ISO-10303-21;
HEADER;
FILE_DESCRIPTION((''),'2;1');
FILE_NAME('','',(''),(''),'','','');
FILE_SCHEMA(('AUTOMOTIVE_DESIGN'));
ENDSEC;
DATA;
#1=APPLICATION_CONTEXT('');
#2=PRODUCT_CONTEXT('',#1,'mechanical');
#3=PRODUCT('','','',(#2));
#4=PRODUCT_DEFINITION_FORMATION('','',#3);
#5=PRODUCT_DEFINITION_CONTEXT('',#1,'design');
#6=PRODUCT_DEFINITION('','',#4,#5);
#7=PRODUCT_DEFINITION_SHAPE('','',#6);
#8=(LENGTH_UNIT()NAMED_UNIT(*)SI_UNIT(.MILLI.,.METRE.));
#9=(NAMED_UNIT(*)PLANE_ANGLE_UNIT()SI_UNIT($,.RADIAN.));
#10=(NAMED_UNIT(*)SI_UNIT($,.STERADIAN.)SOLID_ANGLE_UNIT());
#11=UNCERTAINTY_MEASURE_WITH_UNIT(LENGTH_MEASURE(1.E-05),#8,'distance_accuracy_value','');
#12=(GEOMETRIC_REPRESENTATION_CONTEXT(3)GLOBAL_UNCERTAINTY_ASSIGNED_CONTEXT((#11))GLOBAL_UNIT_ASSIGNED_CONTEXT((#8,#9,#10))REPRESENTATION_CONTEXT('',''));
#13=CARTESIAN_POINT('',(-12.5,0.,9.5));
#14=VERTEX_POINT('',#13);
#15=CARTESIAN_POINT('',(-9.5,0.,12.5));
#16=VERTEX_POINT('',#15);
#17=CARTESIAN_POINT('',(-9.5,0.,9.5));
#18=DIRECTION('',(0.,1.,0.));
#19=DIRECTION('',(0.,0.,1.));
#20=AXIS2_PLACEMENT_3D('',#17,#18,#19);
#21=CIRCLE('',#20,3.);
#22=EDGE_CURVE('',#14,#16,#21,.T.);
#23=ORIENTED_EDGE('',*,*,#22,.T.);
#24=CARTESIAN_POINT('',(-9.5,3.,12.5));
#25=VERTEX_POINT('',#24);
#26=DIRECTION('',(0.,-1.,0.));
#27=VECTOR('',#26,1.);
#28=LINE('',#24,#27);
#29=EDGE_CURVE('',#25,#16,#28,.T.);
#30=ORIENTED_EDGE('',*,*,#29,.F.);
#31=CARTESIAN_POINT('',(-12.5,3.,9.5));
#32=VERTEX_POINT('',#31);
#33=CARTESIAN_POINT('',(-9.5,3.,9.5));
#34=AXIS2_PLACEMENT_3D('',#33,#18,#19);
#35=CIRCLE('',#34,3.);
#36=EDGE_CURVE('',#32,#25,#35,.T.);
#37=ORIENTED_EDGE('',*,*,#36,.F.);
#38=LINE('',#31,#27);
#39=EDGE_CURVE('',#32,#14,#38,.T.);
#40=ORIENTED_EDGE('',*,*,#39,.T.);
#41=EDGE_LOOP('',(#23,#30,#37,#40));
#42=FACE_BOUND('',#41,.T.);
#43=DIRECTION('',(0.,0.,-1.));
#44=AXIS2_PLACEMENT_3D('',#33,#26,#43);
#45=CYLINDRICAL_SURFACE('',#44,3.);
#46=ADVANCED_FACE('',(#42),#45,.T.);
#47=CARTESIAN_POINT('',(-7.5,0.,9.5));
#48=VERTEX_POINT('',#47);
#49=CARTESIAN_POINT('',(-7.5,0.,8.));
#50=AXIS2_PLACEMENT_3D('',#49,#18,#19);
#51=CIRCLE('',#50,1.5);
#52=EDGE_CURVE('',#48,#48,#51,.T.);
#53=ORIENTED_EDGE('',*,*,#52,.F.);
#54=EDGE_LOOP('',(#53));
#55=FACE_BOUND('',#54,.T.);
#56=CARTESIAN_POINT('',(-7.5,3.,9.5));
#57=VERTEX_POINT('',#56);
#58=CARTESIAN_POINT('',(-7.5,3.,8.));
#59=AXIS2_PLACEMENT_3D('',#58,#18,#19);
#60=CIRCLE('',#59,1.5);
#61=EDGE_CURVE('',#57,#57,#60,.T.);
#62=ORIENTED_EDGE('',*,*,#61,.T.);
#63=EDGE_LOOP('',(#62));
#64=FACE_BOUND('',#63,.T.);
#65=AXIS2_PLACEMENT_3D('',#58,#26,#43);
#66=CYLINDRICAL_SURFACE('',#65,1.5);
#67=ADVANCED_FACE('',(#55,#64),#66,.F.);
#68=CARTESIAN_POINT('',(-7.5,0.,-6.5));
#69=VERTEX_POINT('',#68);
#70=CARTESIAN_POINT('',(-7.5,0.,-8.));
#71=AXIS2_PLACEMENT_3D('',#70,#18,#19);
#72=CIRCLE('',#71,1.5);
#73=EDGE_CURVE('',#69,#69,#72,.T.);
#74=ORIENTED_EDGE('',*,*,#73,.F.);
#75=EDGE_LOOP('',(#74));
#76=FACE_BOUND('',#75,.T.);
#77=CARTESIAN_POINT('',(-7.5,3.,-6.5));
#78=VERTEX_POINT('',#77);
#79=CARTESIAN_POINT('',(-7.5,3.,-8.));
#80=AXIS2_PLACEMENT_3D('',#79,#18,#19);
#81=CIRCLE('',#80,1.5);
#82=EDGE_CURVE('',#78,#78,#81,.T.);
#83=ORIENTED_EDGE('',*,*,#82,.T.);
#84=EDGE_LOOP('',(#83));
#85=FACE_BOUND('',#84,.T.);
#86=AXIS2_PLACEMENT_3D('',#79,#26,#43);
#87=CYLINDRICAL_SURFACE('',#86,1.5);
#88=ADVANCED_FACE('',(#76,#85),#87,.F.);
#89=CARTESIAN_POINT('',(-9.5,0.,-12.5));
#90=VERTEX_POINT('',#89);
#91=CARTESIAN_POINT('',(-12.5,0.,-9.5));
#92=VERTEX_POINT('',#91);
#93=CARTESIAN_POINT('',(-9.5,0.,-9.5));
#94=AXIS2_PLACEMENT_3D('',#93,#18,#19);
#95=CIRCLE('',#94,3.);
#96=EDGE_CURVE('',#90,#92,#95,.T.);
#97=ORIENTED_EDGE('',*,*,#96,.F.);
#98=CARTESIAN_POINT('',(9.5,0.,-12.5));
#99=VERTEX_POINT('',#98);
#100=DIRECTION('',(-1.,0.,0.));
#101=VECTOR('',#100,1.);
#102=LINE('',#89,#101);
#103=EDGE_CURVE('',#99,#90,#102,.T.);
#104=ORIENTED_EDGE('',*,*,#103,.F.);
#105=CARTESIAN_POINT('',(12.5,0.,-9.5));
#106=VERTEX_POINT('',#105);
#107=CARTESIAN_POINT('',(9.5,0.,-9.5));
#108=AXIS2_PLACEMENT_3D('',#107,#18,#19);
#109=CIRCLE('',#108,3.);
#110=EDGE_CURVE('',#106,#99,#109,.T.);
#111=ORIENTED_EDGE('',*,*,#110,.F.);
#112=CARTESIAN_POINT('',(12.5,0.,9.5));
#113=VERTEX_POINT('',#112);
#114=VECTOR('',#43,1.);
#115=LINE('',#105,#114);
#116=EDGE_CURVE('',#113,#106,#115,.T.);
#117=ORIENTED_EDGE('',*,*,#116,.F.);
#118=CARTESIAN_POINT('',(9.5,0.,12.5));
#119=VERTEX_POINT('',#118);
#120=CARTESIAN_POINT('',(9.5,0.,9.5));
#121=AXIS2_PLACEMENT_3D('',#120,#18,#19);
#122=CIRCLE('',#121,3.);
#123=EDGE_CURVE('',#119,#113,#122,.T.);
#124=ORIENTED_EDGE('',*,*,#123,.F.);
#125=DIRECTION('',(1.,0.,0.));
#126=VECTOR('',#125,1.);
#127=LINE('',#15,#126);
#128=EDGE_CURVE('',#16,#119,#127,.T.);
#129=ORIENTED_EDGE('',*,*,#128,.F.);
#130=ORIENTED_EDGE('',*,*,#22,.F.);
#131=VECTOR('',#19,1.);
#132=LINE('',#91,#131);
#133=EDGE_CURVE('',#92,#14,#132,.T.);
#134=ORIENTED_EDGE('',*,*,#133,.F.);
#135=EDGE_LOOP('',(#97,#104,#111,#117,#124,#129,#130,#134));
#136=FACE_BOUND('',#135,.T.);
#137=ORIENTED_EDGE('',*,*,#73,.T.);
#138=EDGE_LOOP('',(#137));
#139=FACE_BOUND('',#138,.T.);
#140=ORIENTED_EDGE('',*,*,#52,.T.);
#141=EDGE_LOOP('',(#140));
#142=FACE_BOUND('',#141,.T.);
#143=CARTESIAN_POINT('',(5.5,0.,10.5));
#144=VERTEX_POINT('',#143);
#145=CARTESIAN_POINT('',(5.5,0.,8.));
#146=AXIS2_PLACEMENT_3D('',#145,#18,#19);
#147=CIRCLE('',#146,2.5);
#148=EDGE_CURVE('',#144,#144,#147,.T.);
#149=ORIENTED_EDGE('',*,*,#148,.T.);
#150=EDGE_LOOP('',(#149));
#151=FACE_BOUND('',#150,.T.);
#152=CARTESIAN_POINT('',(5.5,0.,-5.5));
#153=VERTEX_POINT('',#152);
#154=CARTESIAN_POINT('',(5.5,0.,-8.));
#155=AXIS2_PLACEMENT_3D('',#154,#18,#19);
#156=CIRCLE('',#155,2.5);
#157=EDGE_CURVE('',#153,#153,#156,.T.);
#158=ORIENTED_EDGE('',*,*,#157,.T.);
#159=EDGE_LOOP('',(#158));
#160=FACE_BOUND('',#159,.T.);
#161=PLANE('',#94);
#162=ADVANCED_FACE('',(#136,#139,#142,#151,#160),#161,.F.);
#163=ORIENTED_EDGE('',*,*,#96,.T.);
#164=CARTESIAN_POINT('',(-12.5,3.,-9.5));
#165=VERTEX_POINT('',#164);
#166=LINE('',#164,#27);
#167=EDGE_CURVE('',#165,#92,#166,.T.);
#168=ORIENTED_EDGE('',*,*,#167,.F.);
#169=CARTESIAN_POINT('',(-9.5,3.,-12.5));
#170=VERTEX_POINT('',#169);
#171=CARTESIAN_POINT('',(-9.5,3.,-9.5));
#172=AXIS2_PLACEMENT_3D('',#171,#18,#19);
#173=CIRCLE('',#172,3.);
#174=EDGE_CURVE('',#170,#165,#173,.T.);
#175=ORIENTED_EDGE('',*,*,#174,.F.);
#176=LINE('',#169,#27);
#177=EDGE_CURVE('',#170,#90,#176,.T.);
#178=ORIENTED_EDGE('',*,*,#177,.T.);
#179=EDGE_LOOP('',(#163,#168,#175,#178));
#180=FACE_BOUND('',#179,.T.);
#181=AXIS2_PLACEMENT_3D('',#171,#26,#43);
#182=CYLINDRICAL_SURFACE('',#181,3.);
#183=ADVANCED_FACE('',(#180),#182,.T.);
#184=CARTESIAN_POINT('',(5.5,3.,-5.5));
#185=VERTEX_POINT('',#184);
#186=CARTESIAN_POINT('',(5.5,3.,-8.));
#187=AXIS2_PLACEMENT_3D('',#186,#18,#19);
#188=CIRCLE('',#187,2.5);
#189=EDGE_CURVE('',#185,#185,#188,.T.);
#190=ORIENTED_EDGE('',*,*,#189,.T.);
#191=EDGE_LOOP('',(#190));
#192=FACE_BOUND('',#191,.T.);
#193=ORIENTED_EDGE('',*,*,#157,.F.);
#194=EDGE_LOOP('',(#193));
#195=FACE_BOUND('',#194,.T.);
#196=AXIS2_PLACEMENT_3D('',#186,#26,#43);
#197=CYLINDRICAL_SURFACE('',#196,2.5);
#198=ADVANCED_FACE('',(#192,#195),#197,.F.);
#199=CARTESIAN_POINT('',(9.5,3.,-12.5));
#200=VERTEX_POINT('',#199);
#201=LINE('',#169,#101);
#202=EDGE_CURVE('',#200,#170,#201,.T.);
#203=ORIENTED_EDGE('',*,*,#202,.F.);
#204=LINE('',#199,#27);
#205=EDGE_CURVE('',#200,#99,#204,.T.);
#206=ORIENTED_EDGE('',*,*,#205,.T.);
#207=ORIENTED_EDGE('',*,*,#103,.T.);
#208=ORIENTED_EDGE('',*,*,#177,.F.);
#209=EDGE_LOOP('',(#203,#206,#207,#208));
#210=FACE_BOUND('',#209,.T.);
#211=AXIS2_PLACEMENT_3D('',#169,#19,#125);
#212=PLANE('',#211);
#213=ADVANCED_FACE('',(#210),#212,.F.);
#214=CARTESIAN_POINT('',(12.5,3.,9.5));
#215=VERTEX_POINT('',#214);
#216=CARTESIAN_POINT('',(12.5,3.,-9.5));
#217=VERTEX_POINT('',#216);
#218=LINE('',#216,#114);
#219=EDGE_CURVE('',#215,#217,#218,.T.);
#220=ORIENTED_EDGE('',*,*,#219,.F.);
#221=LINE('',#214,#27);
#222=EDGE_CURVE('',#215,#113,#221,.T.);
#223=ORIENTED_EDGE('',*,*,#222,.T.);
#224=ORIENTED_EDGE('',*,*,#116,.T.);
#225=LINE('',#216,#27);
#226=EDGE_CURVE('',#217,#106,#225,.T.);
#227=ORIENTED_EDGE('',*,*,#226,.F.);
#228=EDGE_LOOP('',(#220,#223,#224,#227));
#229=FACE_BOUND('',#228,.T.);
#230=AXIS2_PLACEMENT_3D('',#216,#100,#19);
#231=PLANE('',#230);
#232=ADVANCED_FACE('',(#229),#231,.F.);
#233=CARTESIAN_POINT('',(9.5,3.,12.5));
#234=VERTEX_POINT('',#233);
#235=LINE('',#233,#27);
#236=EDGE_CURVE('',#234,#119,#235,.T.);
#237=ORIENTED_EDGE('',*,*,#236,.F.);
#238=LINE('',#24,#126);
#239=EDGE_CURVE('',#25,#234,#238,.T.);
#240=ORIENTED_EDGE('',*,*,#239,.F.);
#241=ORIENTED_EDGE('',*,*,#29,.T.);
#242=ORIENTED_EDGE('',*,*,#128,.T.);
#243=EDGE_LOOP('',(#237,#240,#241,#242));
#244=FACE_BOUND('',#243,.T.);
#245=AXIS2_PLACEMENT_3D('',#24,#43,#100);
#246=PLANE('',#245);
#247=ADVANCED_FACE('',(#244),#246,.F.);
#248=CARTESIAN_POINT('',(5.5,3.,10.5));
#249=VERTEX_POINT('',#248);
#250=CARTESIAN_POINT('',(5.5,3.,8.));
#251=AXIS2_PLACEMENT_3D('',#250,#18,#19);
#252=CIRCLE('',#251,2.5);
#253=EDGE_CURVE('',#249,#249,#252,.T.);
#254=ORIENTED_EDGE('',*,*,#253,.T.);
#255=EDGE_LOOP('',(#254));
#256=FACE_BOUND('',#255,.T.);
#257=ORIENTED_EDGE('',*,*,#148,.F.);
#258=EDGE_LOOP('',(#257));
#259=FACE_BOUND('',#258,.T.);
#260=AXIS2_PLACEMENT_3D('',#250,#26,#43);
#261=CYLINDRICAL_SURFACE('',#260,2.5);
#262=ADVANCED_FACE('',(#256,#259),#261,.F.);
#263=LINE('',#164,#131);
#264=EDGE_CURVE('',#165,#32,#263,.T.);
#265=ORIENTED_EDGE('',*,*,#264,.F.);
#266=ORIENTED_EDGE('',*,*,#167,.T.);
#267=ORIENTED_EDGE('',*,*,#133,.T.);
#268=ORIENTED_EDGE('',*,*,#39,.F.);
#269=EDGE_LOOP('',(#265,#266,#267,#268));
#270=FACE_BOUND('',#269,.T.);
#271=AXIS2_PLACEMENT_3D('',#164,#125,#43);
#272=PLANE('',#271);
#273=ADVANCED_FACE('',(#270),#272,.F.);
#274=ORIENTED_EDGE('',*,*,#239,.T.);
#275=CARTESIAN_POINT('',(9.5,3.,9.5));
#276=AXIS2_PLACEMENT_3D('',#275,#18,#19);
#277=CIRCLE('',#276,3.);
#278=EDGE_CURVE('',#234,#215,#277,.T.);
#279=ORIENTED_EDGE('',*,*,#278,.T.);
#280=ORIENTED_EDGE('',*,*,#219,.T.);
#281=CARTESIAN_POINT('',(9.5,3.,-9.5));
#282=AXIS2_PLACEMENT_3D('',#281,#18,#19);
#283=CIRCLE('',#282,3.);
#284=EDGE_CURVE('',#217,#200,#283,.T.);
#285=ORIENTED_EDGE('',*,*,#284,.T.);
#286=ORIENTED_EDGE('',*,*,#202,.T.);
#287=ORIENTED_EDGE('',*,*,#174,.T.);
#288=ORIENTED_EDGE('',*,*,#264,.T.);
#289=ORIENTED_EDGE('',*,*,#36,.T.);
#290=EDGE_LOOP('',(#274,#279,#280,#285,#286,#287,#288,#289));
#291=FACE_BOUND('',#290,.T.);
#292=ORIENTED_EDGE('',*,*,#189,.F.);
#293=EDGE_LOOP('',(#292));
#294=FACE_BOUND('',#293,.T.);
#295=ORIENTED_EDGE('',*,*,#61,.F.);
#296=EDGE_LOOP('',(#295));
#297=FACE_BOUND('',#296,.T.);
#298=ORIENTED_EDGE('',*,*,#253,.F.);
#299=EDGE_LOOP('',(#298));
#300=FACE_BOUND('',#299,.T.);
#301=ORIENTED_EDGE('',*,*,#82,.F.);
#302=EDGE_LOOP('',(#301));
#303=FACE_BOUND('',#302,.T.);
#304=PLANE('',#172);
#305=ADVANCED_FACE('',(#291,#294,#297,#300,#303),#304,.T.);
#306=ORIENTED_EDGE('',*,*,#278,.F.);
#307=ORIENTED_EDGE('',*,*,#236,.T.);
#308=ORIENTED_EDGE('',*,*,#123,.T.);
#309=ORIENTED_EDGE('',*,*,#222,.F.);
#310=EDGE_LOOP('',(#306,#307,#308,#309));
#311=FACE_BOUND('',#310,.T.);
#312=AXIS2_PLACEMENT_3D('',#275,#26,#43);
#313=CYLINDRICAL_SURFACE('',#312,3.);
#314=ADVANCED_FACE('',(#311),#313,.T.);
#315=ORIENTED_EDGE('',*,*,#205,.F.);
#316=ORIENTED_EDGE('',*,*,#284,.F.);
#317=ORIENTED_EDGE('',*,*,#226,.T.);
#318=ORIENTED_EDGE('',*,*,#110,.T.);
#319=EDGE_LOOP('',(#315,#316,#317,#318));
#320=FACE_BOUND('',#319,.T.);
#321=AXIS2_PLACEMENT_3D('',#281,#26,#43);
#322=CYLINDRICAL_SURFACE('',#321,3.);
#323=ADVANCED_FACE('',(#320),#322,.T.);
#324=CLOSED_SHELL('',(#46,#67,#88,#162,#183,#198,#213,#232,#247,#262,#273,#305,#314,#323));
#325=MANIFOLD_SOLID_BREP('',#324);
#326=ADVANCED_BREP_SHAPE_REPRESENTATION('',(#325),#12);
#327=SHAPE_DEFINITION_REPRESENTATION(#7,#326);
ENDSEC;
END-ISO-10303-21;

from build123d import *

# Parameters (mm, degrees)
SKETCH3_R           = 2.5
SKETCH3_R_2         = 1.5
BOSS_EXTRUDE1_DEPTH = 3


with BuildPart() as part:
    # Sketch3 → Boss-Extrude1 (new body)
    with BuildSketch(Plane(origin=(0, 0, 0), x_dir=(1, 0, 0), z_dir=(0, 1, 0))):
        with BuildLine():
            Line((-9.5, 12.5), (9.5, 12.5))
            ThreePointArc((9.5, 12.5), (11.621320344, 11.621320344), (12.5, 9.5))
            Line((12.5, 9.5), (12.5, -9.5))
            ThreePointArc((12.5, -9.5), (11.621320344, -11.621320344), (9.5, -12.5))
            Line((9.5, -12.5), (-9.5, -12.5))
            ThreePointArc((-9.5, -12.5), (-11.621320344, -11.621320344), (-12.5, -9.5))
            Line((-12.5, -9.5), (-12.5, 9.5))
            ThreePointArc((-12.5, 9.5), (-11.621320344, 11.621320344), (-9.5, 12.5))
        make_face()
        with Locations((5.5, 8)):
            Circle(SKETCH3_R, mode=Mode.SUBTRACT)
        with Locations((5.5, -8)):
            Circle(SKETCH3_R, mode=Mode.SUBTRACT)
        with Locations((-7.5, 8)):
            Circle(SKETCH3_R_2, mode=Mode.SUBTRACT)
        with Locations((-7.5, -8)):
            Circle(SKETCH3_R_2, mode=Mode.SUBTRACT)
    extrude(amount=BOSS_EXTRUDE1_DEPTH)


solid = part.part
